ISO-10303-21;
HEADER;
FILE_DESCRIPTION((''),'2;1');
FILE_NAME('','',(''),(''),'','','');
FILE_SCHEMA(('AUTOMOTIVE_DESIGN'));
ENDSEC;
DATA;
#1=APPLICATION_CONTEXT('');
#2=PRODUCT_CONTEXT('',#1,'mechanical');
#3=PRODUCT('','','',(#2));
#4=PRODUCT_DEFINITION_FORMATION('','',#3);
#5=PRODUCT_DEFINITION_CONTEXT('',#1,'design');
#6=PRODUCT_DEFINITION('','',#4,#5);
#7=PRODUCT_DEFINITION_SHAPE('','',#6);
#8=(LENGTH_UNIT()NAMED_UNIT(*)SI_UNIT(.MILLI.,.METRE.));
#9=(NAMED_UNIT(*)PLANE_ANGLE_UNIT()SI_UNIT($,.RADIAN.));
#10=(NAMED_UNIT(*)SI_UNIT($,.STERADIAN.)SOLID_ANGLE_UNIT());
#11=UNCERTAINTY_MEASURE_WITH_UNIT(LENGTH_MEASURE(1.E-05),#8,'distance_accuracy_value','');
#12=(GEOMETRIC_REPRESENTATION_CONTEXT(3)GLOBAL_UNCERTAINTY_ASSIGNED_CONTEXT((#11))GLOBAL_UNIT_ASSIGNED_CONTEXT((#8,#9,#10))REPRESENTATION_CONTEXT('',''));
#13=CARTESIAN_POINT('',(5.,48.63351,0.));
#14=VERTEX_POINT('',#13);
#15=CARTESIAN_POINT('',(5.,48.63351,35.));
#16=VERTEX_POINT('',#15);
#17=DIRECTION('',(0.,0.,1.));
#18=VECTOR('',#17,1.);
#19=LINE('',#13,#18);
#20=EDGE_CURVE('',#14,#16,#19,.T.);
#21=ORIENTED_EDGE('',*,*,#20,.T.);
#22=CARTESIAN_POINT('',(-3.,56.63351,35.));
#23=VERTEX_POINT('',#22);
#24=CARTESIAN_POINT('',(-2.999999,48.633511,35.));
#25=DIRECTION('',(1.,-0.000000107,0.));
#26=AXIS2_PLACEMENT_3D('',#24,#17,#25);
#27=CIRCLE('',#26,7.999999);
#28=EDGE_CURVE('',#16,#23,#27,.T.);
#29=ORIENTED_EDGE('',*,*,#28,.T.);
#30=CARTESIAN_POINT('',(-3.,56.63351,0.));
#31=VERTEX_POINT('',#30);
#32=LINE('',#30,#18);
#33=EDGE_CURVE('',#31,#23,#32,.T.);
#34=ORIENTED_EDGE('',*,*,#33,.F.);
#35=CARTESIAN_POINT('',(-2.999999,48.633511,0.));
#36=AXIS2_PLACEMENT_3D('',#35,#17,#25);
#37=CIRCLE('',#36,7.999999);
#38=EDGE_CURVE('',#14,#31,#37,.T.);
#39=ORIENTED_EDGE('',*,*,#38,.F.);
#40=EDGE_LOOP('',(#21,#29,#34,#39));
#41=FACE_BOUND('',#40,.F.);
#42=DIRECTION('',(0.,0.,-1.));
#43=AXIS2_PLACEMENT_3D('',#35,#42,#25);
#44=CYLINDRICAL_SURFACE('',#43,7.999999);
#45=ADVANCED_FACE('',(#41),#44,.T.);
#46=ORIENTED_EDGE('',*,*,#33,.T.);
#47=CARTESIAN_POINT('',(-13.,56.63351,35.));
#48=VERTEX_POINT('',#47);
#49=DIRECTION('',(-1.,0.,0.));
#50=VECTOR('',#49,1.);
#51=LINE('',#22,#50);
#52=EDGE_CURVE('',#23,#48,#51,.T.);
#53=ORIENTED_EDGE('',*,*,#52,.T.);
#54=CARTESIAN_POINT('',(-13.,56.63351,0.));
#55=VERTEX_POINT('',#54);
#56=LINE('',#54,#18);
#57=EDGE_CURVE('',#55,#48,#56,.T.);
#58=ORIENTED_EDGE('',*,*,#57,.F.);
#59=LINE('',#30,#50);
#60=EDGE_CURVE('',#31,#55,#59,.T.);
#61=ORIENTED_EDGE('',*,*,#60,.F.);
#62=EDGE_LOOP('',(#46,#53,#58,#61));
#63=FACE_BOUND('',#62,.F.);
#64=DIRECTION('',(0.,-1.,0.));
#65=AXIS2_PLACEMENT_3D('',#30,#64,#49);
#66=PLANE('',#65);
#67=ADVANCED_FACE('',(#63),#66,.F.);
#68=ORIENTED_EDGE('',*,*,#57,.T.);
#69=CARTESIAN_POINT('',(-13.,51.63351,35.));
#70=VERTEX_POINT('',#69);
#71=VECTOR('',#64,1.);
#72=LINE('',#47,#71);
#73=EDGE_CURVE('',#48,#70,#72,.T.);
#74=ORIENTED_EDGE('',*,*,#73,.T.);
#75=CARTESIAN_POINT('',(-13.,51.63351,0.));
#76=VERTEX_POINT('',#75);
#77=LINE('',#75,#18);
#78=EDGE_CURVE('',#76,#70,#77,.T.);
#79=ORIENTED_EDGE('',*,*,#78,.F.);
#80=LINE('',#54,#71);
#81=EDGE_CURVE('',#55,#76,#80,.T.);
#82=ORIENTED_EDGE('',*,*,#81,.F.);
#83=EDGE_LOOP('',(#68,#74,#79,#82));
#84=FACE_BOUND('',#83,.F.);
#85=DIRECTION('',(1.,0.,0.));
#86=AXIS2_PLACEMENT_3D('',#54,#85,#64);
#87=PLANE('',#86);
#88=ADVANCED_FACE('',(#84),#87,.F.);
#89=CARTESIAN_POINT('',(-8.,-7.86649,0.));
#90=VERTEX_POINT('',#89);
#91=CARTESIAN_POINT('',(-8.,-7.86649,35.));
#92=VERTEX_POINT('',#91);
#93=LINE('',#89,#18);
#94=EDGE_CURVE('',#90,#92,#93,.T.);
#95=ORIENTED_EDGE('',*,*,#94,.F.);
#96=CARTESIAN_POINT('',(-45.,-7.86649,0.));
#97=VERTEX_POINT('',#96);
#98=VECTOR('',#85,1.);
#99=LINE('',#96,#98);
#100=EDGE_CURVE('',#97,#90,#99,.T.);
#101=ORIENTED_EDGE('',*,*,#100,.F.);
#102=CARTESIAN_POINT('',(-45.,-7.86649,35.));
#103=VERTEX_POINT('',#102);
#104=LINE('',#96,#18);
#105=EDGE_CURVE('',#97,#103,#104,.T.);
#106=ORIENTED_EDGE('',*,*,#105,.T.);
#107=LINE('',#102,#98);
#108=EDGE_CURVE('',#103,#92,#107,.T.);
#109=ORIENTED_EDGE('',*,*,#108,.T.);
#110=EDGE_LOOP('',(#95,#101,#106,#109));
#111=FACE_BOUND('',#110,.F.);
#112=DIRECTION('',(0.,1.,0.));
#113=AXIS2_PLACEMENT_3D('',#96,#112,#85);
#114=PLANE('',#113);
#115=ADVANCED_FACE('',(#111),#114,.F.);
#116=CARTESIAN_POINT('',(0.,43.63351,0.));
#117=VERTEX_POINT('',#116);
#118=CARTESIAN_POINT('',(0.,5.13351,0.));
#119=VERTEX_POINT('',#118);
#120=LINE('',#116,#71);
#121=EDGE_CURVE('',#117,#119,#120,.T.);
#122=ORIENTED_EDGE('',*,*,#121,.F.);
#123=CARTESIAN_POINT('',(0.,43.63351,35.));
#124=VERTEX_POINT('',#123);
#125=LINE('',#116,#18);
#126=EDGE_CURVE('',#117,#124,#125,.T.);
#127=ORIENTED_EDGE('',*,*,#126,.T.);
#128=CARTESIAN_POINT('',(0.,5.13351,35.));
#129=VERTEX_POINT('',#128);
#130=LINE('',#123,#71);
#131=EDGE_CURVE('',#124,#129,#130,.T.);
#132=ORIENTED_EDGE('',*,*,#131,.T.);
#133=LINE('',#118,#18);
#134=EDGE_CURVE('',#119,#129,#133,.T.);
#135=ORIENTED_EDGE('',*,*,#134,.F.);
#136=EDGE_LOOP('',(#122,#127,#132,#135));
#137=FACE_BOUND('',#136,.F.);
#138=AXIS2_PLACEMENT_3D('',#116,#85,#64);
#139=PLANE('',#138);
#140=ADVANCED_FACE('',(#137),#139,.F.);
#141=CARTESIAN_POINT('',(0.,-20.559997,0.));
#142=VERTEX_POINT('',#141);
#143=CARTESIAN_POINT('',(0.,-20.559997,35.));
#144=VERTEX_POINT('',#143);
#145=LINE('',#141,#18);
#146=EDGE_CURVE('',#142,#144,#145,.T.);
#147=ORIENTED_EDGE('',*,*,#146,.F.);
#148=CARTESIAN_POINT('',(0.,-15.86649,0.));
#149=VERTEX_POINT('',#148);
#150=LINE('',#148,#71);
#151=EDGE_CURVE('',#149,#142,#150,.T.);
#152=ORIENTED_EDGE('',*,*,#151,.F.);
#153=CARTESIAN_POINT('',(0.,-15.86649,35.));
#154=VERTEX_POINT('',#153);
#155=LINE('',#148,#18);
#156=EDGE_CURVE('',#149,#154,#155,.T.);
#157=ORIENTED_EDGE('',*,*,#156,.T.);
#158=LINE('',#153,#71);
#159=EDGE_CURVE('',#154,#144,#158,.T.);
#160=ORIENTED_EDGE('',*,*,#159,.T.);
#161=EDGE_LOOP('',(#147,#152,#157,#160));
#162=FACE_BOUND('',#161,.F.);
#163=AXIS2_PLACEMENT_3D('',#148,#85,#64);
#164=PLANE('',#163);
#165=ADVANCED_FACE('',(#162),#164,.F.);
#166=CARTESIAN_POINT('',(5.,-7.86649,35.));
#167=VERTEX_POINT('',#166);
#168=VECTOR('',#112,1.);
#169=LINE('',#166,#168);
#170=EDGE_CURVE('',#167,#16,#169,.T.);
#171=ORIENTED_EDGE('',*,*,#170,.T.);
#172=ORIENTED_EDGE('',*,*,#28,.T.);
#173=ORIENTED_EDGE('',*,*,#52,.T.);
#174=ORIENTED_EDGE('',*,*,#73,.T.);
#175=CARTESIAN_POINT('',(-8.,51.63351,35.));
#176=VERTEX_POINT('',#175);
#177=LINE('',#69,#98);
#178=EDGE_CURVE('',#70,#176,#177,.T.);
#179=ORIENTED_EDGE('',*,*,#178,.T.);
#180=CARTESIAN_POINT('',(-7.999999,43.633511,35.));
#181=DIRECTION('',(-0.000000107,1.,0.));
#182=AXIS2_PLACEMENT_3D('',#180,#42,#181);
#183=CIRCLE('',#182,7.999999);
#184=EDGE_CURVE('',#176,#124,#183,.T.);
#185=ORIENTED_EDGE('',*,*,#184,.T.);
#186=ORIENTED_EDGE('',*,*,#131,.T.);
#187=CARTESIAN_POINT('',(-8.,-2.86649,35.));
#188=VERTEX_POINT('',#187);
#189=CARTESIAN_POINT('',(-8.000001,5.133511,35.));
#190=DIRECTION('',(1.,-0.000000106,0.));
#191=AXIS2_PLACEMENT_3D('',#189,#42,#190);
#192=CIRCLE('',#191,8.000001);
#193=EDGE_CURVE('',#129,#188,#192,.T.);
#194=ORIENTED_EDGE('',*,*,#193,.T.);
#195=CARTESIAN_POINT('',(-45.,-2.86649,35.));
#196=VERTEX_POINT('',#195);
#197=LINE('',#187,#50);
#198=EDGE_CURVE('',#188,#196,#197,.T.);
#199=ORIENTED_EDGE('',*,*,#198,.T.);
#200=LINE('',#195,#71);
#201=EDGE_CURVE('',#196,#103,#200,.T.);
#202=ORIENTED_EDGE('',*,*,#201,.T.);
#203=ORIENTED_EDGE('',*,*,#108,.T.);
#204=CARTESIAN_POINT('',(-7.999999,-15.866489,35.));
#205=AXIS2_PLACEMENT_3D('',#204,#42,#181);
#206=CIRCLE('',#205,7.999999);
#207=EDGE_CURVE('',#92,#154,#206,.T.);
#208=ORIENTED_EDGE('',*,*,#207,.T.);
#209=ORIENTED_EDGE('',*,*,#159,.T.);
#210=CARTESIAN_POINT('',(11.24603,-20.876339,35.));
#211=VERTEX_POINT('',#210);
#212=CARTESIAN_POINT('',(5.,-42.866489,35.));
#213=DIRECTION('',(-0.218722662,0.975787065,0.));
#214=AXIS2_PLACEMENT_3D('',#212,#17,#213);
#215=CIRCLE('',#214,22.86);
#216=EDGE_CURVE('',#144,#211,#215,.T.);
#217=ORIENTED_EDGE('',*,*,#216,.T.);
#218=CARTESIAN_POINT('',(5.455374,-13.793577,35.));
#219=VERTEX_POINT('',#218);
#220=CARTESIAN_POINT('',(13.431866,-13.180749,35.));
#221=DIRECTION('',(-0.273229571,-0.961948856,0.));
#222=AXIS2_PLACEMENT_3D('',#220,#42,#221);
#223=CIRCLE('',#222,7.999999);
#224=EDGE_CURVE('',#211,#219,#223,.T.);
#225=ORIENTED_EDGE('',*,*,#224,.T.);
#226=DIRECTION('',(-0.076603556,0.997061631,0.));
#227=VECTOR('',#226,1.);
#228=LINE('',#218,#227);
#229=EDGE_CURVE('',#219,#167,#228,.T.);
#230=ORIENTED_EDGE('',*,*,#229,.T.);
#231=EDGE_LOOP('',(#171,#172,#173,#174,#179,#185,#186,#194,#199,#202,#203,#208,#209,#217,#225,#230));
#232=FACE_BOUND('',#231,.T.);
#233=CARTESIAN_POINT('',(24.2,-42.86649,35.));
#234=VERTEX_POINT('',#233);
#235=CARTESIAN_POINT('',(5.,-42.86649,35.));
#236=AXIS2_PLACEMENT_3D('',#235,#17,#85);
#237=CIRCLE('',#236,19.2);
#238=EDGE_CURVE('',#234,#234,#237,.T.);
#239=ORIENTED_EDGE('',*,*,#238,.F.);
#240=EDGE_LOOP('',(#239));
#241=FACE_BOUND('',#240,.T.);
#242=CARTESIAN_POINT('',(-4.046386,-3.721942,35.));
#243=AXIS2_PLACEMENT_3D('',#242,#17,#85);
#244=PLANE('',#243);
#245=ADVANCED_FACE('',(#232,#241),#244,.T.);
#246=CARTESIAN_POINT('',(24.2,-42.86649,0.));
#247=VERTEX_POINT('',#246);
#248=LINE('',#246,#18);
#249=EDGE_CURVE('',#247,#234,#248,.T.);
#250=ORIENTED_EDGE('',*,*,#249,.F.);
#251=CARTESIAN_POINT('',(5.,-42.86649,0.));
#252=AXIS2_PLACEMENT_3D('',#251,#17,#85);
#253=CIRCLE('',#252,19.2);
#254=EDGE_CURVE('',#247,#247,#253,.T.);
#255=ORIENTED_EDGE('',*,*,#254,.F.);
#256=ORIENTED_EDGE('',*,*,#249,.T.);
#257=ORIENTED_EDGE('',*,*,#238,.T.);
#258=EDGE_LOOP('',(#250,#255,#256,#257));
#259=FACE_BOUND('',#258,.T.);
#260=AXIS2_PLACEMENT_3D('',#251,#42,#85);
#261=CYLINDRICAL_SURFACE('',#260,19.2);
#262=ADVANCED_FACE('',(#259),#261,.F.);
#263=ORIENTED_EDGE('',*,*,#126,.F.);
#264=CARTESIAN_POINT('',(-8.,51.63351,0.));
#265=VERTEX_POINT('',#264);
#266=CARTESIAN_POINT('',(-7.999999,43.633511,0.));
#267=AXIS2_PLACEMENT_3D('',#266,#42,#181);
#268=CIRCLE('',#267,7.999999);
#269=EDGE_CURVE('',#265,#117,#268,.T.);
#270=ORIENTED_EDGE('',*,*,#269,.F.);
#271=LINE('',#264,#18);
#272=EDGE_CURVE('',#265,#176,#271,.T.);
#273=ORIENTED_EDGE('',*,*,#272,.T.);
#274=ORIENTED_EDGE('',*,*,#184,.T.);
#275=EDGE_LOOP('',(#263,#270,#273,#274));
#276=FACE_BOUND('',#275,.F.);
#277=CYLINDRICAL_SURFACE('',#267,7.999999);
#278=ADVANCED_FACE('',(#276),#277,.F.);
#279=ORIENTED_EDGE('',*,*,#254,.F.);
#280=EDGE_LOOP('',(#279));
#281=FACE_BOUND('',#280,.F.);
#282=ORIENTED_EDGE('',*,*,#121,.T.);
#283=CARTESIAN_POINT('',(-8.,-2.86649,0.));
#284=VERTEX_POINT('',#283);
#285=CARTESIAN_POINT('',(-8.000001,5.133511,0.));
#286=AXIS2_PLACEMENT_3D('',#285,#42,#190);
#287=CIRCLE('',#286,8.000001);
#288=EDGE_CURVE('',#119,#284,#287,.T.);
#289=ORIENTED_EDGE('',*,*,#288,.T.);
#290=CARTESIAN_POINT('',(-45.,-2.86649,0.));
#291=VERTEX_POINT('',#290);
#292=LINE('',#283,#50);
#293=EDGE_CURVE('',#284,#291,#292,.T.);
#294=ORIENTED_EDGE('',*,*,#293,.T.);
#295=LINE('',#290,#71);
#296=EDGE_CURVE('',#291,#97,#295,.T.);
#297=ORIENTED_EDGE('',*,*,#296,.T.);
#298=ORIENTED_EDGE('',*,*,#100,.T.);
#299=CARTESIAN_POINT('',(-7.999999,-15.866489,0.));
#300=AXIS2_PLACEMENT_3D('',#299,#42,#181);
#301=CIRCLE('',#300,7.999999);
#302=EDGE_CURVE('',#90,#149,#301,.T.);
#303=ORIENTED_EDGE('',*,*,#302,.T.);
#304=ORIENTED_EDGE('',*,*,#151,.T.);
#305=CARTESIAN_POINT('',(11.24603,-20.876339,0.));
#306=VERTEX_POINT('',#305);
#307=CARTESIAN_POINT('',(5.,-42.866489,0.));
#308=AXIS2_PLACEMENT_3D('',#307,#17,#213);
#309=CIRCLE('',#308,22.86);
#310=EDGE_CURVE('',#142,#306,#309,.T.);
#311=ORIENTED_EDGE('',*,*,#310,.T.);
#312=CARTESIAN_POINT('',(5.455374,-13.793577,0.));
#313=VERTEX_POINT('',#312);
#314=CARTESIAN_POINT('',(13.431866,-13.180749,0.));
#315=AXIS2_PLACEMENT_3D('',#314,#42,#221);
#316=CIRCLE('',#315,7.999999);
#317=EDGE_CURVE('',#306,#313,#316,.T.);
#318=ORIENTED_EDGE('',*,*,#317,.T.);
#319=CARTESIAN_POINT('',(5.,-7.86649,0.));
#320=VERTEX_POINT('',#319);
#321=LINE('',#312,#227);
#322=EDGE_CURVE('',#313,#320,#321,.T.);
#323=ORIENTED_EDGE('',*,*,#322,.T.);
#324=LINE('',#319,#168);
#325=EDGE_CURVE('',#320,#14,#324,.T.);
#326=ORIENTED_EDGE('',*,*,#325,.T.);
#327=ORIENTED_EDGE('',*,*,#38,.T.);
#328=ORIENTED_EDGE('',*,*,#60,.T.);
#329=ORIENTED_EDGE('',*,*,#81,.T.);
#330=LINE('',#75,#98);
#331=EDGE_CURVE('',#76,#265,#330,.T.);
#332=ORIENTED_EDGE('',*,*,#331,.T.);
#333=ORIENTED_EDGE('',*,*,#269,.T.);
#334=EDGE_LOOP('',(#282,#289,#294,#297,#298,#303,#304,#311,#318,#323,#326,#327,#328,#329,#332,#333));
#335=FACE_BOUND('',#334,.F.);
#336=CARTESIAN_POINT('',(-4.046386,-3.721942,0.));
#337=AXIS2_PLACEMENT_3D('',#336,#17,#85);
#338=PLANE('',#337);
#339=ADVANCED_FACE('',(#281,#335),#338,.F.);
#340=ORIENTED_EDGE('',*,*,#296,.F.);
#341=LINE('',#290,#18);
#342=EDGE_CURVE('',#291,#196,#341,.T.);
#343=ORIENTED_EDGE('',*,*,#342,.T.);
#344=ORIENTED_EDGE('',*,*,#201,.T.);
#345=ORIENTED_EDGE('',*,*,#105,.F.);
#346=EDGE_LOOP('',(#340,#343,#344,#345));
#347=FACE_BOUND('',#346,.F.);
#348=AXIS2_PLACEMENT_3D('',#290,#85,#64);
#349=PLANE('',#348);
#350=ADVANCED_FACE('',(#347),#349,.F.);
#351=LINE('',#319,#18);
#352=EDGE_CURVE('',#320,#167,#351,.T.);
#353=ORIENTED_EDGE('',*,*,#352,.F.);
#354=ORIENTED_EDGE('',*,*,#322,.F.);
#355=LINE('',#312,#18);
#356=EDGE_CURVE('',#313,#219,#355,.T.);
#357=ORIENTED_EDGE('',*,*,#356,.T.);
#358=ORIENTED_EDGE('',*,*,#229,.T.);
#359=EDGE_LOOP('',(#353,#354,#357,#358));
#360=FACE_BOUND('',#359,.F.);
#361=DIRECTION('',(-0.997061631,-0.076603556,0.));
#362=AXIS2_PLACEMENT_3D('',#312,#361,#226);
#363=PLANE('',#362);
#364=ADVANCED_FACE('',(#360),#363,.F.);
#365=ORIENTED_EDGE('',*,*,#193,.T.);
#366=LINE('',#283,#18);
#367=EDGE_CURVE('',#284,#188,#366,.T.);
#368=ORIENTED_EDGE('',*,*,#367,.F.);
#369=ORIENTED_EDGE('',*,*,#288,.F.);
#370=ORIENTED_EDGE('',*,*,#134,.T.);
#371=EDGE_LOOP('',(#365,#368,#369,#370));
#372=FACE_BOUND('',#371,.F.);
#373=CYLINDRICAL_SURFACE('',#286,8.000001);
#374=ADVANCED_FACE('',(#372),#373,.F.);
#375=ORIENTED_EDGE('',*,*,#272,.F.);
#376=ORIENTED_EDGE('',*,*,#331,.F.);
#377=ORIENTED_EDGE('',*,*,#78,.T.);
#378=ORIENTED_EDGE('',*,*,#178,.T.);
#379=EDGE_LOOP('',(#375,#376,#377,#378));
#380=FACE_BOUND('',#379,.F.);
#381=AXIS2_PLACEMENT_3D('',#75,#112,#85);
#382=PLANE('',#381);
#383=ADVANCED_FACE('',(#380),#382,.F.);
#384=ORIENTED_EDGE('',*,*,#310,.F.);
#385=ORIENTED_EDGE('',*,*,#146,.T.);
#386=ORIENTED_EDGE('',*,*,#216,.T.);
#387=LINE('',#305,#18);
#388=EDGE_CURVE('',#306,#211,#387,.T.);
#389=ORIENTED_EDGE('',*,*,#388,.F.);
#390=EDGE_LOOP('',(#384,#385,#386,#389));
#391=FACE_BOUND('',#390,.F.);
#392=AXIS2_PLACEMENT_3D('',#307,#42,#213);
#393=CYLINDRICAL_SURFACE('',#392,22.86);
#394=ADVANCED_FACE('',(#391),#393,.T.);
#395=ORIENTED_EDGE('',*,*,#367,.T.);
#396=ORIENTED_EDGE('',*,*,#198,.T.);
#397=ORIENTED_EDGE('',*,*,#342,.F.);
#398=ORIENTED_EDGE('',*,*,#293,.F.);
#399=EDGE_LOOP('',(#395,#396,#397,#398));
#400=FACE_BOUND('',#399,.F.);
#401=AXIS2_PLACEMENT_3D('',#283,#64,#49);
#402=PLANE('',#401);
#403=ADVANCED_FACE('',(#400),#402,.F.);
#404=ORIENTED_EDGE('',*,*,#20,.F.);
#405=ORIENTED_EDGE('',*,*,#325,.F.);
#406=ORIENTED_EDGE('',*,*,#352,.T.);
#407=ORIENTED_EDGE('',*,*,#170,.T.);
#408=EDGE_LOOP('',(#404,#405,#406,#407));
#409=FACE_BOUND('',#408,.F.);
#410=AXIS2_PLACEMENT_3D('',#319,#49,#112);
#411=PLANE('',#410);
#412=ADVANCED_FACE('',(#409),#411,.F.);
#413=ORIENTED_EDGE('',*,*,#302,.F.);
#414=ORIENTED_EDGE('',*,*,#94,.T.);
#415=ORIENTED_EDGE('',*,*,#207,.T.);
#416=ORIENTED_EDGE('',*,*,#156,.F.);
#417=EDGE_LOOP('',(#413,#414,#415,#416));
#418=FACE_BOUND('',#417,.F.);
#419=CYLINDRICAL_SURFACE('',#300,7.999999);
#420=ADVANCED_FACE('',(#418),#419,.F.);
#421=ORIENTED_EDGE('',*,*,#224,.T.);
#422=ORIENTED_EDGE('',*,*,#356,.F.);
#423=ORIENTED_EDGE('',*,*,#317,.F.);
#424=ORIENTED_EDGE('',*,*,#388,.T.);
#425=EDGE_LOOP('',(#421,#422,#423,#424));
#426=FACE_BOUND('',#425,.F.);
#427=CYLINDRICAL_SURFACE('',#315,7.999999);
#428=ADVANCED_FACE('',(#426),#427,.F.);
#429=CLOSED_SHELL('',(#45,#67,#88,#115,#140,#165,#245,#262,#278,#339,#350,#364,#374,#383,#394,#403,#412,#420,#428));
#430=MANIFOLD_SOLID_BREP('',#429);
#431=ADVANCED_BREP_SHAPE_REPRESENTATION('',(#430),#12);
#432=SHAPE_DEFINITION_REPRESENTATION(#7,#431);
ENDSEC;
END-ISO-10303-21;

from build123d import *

# Parameters (mm, degrees)
F0_R     = 19.2
F1_DEPTH = 35


with BuildPart() as f1:
    # F0 (on Top) → F1 (new body)
    with BuildSketch(Plane.XY):
        with BuildLine():
            Line((-45, -2.86649), (-45, -7.86649))
            Line((-45, -7.86649), (-8, -7.86649))
            ThreePointArc((-8, -7.86649), (-2.343146, -10.209635), (0, -15.86649))
            Line((0, -15.86649), (0, -20.559997))
            ThreePointArc((0, -20.559997), (4.35722, -65.717451), (11.24603, -20.876339))
            ThreePointArc((11.24603, -20.876339), (7.238353, -18.244382), (5.455374, -13.793577))
            Line((5.455374, -13.793577), (5, -7.86649))
            Line((5, -7.86649), (5, 48.63351))
            ThreePointArc((5, 48.63351), (2.656854, 54.290365), (-3, 56.63351))
            Line((-3, 56.63351), (-13, 56.63351))
            Line((-13, 56.63351), (-13, 51.63351))
            Line((-13, 51.63351), (-8, 51.63351))
            ThreePointArc((-8, 51.63351), (-2.343146, 49.290365), (0, 43.63351))
            Line((0, 43.63351), (0, 5.13351))
            ThreePointArc((0, 5.13351), (-2.343146, -0.523344), (-8, -2.86649))
            Line((-8, -2.86649), (-45, -2.86649))
        make_face()
        with Locations((5, -42.86649)):
            Circle(F0_R, mode=Mode.SUBTRACT)
    extrude(amount=F1_DEPTH)


solid = f1.part
